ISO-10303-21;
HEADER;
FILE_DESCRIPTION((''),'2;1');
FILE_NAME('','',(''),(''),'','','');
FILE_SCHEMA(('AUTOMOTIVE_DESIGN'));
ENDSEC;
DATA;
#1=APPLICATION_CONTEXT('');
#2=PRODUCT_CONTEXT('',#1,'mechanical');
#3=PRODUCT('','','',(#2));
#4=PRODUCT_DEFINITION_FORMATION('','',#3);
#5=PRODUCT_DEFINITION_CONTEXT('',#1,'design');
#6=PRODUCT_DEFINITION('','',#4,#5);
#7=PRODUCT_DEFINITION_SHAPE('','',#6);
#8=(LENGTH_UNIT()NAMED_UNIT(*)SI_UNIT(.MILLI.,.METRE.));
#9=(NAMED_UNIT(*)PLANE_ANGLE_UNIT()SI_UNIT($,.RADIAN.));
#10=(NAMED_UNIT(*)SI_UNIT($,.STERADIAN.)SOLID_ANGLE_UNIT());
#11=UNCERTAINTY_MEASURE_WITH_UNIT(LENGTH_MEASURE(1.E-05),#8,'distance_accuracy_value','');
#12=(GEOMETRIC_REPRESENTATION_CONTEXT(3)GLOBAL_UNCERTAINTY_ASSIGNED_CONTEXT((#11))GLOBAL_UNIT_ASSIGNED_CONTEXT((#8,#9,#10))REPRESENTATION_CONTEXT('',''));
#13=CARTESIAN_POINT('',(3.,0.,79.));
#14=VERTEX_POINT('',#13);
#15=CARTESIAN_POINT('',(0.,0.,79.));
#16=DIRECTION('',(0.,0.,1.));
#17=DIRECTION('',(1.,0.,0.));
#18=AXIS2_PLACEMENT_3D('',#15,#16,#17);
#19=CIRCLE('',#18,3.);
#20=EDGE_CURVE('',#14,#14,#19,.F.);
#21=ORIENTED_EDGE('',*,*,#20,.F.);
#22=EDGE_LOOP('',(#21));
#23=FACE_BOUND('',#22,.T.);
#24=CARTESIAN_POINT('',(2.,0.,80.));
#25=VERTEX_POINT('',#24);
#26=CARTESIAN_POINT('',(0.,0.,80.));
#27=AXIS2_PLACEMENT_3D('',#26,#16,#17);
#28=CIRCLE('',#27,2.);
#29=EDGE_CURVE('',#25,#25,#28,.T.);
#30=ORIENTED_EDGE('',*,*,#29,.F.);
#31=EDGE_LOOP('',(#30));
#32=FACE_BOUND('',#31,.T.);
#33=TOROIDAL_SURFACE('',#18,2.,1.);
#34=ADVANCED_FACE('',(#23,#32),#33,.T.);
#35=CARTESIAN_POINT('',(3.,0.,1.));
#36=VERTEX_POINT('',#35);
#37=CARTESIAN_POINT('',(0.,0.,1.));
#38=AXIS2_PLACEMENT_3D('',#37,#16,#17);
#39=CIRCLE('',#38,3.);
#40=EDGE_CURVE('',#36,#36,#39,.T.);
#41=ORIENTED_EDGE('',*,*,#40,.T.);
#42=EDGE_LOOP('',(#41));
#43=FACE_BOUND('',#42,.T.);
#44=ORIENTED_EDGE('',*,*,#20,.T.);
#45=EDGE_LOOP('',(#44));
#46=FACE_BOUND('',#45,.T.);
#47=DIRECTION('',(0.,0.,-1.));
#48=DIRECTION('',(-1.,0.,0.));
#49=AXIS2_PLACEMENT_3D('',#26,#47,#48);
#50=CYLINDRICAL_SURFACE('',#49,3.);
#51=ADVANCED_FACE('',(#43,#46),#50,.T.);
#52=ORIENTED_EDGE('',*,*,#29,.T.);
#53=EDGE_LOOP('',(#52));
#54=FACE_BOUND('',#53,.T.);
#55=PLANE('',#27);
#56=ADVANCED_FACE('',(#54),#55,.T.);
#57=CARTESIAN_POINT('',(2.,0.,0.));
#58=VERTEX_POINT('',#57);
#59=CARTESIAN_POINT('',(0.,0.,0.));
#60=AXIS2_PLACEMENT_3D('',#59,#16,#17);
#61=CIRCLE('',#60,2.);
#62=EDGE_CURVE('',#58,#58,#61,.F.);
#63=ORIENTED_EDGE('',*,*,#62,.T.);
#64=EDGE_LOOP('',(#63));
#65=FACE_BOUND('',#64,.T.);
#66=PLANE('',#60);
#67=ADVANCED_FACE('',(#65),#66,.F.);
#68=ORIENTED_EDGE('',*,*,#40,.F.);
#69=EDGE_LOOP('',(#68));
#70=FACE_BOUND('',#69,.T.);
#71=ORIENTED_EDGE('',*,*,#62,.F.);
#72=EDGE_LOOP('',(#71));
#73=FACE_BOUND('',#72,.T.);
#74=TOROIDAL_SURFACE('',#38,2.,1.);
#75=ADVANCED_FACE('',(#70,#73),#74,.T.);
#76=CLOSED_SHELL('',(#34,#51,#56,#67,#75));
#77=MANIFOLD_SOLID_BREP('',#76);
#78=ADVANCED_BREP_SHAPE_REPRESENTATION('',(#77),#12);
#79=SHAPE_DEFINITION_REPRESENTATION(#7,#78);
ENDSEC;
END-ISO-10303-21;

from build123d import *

# Parameters (mm, degrees)
ESQUISSE1_R        = 3
BOSS_EXTRU_1_DEPTH = 80
CONG_1_R           = 1


with BuildPart() as part:
    # Esquisse1 → Boss.-Extru.1 (new body)
    with BuildSketch(Plane.XY):
        Circle(ESQUISSE1_R)
    extrude(amount=BOSS_EXTRU_1_DEPTH)

    # Congé1
    cong_1_edges = [part.edges().sort_by_distance(p)[0] for p in [
        (-3, 0, 0),
        (-3, 0, 80),
    ]]
    fillet(cong_1_edges, radius=CONG_1_R)


solid = part.part
